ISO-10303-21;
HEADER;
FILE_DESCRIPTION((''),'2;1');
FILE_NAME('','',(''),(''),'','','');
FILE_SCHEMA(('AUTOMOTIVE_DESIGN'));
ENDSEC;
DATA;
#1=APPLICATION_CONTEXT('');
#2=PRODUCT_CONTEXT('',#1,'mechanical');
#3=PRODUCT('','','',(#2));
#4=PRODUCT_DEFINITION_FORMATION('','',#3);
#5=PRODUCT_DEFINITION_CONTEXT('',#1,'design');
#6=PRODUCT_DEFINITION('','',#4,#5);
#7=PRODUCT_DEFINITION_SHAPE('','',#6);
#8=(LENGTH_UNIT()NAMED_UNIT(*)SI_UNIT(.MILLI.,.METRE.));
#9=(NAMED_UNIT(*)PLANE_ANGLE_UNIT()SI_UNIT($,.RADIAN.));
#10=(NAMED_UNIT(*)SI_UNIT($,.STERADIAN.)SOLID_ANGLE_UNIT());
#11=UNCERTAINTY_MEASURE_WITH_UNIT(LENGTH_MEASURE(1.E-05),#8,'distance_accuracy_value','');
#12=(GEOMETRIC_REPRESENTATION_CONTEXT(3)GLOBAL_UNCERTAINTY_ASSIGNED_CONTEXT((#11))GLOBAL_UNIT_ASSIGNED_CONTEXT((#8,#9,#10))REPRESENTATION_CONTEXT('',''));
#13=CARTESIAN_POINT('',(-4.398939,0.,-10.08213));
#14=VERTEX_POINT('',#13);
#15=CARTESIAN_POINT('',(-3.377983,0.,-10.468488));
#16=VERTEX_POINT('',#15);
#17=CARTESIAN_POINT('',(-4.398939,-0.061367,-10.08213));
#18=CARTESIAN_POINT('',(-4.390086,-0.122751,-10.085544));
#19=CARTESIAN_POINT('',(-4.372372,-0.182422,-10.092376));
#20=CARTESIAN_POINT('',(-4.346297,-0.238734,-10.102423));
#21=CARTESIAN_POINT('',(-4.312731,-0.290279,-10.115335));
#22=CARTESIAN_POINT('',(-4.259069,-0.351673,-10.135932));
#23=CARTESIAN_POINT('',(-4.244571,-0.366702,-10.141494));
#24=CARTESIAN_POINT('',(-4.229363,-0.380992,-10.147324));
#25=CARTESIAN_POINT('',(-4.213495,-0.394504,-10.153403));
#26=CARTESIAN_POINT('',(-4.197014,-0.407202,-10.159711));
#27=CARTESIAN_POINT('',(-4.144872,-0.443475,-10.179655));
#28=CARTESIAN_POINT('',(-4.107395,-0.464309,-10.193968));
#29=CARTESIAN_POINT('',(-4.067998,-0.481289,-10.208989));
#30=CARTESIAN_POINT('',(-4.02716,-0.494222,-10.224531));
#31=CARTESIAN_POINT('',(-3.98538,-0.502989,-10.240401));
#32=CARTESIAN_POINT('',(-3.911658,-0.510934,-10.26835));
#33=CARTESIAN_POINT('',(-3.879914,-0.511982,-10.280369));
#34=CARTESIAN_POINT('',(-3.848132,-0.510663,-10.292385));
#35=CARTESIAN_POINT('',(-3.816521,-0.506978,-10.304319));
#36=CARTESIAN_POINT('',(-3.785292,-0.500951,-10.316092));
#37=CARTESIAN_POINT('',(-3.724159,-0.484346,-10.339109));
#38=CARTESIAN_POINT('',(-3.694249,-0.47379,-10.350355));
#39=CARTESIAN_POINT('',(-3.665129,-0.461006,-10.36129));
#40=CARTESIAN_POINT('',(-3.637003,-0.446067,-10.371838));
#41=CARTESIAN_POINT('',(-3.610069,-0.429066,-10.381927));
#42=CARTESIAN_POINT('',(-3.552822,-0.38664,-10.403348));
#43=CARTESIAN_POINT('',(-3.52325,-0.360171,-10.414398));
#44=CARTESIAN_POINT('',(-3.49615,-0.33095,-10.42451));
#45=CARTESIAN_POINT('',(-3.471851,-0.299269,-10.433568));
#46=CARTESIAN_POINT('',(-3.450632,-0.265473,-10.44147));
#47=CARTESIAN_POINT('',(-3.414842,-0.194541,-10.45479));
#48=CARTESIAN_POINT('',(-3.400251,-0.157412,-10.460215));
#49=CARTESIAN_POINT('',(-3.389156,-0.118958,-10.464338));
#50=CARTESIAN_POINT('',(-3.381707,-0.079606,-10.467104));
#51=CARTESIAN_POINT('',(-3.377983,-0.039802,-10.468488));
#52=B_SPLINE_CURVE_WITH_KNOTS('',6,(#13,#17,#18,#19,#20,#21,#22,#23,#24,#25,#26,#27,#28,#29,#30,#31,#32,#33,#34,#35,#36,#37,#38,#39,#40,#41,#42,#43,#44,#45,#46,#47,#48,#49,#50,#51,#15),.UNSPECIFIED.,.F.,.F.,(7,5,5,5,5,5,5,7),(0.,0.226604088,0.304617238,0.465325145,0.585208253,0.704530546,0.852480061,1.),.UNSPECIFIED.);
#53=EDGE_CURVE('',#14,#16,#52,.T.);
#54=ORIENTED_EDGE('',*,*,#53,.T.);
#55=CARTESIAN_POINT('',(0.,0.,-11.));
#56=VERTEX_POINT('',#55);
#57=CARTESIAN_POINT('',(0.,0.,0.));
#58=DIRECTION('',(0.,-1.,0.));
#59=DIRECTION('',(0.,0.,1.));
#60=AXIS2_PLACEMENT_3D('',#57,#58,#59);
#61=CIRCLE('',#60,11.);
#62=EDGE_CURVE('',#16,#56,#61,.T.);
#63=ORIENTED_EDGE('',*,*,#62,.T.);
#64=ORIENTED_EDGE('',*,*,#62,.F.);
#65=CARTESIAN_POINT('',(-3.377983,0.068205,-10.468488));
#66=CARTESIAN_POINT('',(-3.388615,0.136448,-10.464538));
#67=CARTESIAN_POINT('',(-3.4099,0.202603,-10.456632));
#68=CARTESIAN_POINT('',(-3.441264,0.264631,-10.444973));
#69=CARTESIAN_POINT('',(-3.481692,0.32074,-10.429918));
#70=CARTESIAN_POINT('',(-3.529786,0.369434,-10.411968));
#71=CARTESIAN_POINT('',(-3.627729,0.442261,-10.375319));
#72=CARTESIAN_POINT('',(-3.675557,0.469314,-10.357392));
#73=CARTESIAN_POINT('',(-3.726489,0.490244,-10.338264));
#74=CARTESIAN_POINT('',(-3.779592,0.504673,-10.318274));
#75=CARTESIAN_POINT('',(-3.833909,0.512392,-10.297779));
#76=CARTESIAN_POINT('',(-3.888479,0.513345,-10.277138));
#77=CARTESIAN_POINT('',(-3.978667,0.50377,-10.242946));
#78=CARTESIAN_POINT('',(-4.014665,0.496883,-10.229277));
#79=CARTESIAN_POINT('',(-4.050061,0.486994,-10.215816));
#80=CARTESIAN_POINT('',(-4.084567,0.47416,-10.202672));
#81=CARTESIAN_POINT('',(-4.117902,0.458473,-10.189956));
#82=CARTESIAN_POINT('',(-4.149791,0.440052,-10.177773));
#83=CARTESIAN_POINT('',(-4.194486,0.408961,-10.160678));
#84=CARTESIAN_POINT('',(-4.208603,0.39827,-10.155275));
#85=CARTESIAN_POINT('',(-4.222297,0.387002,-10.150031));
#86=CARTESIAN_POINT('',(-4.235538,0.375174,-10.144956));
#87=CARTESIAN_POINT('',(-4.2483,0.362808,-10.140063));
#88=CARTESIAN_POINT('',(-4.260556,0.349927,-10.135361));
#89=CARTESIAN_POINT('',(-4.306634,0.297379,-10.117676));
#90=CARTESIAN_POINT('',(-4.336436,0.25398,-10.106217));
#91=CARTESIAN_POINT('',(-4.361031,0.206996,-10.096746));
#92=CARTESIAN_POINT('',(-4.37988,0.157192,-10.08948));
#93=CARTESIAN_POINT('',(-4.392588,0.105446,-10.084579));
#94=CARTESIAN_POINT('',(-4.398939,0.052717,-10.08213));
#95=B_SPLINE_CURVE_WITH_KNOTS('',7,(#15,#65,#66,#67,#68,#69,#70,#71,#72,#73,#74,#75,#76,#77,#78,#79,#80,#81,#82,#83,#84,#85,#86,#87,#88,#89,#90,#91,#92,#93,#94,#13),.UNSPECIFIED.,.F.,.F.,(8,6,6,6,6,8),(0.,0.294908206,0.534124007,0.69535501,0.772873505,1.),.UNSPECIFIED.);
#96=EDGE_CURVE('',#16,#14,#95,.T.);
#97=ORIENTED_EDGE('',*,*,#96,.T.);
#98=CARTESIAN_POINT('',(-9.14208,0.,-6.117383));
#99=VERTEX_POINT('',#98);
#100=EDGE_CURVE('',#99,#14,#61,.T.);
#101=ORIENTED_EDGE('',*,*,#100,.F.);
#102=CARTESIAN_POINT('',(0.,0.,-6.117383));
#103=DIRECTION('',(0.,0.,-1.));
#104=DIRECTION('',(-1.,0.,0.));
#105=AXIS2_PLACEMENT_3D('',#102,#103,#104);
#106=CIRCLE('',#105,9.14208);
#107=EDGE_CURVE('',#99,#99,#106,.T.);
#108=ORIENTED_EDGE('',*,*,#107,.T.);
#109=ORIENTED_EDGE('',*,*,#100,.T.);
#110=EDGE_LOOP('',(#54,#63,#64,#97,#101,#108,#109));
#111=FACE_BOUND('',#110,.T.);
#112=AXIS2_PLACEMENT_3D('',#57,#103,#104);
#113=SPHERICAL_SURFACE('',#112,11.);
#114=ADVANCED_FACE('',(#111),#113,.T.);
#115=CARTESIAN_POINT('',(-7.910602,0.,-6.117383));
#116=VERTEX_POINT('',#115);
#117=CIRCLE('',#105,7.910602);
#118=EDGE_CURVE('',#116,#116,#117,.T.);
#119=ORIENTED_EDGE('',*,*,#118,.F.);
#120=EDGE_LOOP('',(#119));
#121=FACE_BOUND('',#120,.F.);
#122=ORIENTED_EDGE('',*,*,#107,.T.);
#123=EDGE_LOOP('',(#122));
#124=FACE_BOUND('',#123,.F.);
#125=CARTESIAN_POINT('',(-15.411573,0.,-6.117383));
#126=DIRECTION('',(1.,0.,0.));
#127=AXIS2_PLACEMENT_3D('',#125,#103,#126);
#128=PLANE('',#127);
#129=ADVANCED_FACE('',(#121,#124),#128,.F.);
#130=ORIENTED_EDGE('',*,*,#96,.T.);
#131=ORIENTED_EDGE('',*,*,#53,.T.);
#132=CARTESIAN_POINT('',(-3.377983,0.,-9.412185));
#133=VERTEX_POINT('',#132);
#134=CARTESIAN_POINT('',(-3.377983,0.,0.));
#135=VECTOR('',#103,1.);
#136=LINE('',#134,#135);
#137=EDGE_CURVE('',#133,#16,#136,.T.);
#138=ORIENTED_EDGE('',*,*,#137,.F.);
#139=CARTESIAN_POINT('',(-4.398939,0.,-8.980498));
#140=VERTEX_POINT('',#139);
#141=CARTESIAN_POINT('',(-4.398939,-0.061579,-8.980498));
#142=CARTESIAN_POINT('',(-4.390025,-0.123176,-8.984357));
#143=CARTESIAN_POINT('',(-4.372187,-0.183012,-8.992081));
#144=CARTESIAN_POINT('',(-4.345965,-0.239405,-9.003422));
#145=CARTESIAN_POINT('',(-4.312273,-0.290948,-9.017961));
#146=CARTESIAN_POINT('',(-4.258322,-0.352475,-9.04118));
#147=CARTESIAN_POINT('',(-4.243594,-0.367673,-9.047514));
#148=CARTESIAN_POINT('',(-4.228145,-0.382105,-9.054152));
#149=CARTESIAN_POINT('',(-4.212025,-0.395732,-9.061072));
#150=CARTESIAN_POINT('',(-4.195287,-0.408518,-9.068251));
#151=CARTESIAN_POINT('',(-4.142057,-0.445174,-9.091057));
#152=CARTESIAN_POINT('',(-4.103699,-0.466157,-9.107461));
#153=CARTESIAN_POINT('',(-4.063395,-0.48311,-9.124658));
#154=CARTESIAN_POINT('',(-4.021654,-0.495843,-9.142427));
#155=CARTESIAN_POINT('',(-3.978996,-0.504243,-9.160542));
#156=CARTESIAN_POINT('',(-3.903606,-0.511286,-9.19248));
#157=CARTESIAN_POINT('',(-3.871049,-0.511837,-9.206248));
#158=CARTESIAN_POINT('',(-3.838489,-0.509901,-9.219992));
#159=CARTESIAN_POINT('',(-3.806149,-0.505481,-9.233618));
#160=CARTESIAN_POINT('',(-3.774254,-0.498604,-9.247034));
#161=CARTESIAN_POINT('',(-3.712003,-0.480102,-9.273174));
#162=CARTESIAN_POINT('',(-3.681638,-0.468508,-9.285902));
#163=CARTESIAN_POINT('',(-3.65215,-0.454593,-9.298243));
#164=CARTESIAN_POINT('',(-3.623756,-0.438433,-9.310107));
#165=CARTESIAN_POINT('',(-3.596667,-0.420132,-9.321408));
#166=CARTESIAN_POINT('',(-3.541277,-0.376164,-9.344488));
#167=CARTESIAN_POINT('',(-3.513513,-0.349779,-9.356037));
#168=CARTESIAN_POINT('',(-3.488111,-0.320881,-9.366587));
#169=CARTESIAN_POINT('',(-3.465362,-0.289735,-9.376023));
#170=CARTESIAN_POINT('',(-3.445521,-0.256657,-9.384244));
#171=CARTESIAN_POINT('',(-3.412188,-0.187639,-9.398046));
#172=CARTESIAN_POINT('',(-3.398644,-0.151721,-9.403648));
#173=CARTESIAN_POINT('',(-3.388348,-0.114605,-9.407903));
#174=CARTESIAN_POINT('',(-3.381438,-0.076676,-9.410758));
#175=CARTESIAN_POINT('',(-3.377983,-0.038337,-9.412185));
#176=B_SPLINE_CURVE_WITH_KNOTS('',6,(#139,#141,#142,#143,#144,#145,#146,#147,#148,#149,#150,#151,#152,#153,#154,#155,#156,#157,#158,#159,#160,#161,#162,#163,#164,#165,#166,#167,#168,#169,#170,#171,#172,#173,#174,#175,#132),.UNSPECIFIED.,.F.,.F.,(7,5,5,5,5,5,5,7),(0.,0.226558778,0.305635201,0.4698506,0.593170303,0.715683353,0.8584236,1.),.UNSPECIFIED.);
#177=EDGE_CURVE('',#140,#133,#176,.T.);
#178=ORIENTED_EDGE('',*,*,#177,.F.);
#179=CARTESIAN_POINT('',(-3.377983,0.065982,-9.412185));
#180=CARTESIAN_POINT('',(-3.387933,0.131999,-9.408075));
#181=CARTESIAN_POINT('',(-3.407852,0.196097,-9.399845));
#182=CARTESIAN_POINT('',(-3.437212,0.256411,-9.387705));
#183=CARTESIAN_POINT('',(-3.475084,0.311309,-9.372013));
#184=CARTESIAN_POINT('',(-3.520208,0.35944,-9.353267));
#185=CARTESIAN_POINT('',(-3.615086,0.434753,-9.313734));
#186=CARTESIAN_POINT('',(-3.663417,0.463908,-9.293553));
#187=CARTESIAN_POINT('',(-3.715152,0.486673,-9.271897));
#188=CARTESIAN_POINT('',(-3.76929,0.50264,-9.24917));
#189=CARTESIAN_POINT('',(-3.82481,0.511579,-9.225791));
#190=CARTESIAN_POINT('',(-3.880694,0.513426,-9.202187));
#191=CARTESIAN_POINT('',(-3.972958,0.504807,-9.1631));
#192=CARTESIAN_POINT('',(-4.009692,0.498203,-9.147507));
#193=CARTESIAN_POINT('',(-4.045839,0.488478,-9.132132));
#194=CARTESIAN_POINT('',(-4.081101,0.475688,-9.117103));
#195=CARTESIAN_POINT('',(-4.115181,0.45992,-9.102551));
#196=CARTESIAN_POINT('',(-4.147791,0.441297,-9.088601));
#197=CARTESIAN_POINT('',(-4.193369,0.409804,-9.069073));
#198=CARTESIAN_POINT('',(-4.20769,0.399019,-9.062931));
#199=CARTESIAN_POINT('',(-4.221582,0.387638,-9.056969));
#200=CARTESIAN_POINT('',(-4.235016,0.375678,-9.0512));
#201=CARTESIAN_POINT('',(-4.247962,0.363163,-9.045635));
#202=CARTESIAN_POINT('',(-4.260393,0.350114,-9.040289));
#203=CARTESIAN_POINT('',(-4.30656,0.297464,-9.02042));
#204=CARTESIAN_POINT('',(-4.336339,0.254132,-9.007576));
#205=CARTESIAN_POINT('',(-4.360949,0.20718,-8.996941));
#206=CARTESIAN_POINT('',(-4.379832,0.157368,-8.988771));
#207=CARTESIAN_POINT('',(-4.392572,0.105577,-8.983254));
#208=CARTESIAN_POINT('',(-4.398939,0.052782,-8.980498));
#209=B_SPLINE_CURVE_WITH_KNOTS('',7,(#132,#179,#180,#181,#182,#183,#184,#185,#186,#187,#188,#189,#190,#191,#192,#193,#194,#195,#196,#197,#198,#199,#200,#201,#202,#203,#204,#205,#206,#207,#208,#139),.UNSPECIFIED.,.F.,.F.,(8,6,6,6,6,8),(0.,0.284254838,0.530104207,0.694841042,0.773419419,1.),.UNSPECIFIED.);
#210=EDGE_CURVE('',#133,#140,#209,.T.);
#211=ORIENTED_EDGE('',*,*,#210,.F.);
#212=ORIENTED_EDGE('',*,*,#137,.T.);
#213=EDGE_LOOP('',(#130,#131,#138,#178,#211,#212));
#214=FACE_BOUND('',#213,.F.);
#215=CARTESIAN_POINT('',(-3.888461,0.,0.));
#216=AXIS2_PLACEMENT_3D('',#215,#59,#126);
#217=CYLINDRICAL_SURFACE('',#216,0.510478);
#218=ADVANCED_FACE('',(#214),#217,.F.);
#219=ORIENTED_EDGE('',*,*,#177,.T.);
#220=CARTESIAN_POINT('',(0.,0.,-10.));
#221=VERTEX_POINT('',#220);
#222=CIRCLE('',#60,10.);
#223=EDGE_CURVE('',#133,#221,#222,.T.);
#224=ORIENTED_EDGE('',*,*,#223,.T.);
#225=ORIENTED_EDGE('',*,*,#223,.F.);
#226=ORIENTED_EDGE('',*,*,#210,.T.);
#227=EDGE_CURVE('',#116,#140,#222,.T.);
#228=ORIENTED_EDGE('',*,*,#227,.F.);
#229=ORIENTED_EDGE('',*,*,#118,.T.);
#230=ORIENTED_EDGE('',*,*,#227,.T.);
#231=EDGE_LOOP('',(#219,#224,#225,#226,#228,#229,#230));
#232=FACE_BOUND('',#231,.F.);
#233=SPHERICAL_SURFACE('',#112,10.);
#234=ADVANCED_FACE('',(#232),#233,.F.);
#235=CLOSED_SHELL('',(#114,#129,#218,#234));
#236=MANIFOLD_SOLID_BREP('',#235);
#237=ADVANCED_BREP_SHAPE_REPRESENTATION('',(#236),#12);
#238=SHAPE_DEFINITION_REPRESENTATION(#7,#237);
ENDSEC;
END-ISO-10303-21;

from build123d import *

# Parameters (mm, degrees)
F2_W     = 28.774573
F2_H     = 22.486091
F3_DEPTH = 12.7
F4_T     = -1
F5_R     = 0.510478
F6_DEPTH = 25.4


with BuildPart() as f1:
    # F0 (on Front) → F1 (revolve)
    with BuildSketch(Plane.XZ):
        with BuildLine():
            Line((0, 0), (0, 11))
            ThreePointArc((0, 11), (-11, 0), (0, -11))
            Line((0, -11), (0, 0))
        make_face()
    revolve(axis=Axis((0, 0, 0), (0, 0, -1)))

    # F2 (on Front) → F3 (cut, symmetric)
    with BuildSketch(Plane.XZ):
        with Locations((-1.024286, 5.125662)):
            Rectangle(F2_W, F2_H)
    extrude(amount=F3_DEPTH, both=True, mode=Mode.SUBTRACT)

    # F4
    f4_openings = [f1.faces().sort_by_distance(p)[0] for p in [
        (0, 0, -6.117383),
    ]]
    offset(amount=F4_T, openings=f4_openings)

    # F5 (on Top) → F6 (cut)
    with BuildSketch(Plane.XY):
        with Locations((-3.888461, 0)):
            Circle(F5_R)
    extrude(amount=-F6_DEPTH, mode=Mode.SUBTRACT)


solid = f1.part
